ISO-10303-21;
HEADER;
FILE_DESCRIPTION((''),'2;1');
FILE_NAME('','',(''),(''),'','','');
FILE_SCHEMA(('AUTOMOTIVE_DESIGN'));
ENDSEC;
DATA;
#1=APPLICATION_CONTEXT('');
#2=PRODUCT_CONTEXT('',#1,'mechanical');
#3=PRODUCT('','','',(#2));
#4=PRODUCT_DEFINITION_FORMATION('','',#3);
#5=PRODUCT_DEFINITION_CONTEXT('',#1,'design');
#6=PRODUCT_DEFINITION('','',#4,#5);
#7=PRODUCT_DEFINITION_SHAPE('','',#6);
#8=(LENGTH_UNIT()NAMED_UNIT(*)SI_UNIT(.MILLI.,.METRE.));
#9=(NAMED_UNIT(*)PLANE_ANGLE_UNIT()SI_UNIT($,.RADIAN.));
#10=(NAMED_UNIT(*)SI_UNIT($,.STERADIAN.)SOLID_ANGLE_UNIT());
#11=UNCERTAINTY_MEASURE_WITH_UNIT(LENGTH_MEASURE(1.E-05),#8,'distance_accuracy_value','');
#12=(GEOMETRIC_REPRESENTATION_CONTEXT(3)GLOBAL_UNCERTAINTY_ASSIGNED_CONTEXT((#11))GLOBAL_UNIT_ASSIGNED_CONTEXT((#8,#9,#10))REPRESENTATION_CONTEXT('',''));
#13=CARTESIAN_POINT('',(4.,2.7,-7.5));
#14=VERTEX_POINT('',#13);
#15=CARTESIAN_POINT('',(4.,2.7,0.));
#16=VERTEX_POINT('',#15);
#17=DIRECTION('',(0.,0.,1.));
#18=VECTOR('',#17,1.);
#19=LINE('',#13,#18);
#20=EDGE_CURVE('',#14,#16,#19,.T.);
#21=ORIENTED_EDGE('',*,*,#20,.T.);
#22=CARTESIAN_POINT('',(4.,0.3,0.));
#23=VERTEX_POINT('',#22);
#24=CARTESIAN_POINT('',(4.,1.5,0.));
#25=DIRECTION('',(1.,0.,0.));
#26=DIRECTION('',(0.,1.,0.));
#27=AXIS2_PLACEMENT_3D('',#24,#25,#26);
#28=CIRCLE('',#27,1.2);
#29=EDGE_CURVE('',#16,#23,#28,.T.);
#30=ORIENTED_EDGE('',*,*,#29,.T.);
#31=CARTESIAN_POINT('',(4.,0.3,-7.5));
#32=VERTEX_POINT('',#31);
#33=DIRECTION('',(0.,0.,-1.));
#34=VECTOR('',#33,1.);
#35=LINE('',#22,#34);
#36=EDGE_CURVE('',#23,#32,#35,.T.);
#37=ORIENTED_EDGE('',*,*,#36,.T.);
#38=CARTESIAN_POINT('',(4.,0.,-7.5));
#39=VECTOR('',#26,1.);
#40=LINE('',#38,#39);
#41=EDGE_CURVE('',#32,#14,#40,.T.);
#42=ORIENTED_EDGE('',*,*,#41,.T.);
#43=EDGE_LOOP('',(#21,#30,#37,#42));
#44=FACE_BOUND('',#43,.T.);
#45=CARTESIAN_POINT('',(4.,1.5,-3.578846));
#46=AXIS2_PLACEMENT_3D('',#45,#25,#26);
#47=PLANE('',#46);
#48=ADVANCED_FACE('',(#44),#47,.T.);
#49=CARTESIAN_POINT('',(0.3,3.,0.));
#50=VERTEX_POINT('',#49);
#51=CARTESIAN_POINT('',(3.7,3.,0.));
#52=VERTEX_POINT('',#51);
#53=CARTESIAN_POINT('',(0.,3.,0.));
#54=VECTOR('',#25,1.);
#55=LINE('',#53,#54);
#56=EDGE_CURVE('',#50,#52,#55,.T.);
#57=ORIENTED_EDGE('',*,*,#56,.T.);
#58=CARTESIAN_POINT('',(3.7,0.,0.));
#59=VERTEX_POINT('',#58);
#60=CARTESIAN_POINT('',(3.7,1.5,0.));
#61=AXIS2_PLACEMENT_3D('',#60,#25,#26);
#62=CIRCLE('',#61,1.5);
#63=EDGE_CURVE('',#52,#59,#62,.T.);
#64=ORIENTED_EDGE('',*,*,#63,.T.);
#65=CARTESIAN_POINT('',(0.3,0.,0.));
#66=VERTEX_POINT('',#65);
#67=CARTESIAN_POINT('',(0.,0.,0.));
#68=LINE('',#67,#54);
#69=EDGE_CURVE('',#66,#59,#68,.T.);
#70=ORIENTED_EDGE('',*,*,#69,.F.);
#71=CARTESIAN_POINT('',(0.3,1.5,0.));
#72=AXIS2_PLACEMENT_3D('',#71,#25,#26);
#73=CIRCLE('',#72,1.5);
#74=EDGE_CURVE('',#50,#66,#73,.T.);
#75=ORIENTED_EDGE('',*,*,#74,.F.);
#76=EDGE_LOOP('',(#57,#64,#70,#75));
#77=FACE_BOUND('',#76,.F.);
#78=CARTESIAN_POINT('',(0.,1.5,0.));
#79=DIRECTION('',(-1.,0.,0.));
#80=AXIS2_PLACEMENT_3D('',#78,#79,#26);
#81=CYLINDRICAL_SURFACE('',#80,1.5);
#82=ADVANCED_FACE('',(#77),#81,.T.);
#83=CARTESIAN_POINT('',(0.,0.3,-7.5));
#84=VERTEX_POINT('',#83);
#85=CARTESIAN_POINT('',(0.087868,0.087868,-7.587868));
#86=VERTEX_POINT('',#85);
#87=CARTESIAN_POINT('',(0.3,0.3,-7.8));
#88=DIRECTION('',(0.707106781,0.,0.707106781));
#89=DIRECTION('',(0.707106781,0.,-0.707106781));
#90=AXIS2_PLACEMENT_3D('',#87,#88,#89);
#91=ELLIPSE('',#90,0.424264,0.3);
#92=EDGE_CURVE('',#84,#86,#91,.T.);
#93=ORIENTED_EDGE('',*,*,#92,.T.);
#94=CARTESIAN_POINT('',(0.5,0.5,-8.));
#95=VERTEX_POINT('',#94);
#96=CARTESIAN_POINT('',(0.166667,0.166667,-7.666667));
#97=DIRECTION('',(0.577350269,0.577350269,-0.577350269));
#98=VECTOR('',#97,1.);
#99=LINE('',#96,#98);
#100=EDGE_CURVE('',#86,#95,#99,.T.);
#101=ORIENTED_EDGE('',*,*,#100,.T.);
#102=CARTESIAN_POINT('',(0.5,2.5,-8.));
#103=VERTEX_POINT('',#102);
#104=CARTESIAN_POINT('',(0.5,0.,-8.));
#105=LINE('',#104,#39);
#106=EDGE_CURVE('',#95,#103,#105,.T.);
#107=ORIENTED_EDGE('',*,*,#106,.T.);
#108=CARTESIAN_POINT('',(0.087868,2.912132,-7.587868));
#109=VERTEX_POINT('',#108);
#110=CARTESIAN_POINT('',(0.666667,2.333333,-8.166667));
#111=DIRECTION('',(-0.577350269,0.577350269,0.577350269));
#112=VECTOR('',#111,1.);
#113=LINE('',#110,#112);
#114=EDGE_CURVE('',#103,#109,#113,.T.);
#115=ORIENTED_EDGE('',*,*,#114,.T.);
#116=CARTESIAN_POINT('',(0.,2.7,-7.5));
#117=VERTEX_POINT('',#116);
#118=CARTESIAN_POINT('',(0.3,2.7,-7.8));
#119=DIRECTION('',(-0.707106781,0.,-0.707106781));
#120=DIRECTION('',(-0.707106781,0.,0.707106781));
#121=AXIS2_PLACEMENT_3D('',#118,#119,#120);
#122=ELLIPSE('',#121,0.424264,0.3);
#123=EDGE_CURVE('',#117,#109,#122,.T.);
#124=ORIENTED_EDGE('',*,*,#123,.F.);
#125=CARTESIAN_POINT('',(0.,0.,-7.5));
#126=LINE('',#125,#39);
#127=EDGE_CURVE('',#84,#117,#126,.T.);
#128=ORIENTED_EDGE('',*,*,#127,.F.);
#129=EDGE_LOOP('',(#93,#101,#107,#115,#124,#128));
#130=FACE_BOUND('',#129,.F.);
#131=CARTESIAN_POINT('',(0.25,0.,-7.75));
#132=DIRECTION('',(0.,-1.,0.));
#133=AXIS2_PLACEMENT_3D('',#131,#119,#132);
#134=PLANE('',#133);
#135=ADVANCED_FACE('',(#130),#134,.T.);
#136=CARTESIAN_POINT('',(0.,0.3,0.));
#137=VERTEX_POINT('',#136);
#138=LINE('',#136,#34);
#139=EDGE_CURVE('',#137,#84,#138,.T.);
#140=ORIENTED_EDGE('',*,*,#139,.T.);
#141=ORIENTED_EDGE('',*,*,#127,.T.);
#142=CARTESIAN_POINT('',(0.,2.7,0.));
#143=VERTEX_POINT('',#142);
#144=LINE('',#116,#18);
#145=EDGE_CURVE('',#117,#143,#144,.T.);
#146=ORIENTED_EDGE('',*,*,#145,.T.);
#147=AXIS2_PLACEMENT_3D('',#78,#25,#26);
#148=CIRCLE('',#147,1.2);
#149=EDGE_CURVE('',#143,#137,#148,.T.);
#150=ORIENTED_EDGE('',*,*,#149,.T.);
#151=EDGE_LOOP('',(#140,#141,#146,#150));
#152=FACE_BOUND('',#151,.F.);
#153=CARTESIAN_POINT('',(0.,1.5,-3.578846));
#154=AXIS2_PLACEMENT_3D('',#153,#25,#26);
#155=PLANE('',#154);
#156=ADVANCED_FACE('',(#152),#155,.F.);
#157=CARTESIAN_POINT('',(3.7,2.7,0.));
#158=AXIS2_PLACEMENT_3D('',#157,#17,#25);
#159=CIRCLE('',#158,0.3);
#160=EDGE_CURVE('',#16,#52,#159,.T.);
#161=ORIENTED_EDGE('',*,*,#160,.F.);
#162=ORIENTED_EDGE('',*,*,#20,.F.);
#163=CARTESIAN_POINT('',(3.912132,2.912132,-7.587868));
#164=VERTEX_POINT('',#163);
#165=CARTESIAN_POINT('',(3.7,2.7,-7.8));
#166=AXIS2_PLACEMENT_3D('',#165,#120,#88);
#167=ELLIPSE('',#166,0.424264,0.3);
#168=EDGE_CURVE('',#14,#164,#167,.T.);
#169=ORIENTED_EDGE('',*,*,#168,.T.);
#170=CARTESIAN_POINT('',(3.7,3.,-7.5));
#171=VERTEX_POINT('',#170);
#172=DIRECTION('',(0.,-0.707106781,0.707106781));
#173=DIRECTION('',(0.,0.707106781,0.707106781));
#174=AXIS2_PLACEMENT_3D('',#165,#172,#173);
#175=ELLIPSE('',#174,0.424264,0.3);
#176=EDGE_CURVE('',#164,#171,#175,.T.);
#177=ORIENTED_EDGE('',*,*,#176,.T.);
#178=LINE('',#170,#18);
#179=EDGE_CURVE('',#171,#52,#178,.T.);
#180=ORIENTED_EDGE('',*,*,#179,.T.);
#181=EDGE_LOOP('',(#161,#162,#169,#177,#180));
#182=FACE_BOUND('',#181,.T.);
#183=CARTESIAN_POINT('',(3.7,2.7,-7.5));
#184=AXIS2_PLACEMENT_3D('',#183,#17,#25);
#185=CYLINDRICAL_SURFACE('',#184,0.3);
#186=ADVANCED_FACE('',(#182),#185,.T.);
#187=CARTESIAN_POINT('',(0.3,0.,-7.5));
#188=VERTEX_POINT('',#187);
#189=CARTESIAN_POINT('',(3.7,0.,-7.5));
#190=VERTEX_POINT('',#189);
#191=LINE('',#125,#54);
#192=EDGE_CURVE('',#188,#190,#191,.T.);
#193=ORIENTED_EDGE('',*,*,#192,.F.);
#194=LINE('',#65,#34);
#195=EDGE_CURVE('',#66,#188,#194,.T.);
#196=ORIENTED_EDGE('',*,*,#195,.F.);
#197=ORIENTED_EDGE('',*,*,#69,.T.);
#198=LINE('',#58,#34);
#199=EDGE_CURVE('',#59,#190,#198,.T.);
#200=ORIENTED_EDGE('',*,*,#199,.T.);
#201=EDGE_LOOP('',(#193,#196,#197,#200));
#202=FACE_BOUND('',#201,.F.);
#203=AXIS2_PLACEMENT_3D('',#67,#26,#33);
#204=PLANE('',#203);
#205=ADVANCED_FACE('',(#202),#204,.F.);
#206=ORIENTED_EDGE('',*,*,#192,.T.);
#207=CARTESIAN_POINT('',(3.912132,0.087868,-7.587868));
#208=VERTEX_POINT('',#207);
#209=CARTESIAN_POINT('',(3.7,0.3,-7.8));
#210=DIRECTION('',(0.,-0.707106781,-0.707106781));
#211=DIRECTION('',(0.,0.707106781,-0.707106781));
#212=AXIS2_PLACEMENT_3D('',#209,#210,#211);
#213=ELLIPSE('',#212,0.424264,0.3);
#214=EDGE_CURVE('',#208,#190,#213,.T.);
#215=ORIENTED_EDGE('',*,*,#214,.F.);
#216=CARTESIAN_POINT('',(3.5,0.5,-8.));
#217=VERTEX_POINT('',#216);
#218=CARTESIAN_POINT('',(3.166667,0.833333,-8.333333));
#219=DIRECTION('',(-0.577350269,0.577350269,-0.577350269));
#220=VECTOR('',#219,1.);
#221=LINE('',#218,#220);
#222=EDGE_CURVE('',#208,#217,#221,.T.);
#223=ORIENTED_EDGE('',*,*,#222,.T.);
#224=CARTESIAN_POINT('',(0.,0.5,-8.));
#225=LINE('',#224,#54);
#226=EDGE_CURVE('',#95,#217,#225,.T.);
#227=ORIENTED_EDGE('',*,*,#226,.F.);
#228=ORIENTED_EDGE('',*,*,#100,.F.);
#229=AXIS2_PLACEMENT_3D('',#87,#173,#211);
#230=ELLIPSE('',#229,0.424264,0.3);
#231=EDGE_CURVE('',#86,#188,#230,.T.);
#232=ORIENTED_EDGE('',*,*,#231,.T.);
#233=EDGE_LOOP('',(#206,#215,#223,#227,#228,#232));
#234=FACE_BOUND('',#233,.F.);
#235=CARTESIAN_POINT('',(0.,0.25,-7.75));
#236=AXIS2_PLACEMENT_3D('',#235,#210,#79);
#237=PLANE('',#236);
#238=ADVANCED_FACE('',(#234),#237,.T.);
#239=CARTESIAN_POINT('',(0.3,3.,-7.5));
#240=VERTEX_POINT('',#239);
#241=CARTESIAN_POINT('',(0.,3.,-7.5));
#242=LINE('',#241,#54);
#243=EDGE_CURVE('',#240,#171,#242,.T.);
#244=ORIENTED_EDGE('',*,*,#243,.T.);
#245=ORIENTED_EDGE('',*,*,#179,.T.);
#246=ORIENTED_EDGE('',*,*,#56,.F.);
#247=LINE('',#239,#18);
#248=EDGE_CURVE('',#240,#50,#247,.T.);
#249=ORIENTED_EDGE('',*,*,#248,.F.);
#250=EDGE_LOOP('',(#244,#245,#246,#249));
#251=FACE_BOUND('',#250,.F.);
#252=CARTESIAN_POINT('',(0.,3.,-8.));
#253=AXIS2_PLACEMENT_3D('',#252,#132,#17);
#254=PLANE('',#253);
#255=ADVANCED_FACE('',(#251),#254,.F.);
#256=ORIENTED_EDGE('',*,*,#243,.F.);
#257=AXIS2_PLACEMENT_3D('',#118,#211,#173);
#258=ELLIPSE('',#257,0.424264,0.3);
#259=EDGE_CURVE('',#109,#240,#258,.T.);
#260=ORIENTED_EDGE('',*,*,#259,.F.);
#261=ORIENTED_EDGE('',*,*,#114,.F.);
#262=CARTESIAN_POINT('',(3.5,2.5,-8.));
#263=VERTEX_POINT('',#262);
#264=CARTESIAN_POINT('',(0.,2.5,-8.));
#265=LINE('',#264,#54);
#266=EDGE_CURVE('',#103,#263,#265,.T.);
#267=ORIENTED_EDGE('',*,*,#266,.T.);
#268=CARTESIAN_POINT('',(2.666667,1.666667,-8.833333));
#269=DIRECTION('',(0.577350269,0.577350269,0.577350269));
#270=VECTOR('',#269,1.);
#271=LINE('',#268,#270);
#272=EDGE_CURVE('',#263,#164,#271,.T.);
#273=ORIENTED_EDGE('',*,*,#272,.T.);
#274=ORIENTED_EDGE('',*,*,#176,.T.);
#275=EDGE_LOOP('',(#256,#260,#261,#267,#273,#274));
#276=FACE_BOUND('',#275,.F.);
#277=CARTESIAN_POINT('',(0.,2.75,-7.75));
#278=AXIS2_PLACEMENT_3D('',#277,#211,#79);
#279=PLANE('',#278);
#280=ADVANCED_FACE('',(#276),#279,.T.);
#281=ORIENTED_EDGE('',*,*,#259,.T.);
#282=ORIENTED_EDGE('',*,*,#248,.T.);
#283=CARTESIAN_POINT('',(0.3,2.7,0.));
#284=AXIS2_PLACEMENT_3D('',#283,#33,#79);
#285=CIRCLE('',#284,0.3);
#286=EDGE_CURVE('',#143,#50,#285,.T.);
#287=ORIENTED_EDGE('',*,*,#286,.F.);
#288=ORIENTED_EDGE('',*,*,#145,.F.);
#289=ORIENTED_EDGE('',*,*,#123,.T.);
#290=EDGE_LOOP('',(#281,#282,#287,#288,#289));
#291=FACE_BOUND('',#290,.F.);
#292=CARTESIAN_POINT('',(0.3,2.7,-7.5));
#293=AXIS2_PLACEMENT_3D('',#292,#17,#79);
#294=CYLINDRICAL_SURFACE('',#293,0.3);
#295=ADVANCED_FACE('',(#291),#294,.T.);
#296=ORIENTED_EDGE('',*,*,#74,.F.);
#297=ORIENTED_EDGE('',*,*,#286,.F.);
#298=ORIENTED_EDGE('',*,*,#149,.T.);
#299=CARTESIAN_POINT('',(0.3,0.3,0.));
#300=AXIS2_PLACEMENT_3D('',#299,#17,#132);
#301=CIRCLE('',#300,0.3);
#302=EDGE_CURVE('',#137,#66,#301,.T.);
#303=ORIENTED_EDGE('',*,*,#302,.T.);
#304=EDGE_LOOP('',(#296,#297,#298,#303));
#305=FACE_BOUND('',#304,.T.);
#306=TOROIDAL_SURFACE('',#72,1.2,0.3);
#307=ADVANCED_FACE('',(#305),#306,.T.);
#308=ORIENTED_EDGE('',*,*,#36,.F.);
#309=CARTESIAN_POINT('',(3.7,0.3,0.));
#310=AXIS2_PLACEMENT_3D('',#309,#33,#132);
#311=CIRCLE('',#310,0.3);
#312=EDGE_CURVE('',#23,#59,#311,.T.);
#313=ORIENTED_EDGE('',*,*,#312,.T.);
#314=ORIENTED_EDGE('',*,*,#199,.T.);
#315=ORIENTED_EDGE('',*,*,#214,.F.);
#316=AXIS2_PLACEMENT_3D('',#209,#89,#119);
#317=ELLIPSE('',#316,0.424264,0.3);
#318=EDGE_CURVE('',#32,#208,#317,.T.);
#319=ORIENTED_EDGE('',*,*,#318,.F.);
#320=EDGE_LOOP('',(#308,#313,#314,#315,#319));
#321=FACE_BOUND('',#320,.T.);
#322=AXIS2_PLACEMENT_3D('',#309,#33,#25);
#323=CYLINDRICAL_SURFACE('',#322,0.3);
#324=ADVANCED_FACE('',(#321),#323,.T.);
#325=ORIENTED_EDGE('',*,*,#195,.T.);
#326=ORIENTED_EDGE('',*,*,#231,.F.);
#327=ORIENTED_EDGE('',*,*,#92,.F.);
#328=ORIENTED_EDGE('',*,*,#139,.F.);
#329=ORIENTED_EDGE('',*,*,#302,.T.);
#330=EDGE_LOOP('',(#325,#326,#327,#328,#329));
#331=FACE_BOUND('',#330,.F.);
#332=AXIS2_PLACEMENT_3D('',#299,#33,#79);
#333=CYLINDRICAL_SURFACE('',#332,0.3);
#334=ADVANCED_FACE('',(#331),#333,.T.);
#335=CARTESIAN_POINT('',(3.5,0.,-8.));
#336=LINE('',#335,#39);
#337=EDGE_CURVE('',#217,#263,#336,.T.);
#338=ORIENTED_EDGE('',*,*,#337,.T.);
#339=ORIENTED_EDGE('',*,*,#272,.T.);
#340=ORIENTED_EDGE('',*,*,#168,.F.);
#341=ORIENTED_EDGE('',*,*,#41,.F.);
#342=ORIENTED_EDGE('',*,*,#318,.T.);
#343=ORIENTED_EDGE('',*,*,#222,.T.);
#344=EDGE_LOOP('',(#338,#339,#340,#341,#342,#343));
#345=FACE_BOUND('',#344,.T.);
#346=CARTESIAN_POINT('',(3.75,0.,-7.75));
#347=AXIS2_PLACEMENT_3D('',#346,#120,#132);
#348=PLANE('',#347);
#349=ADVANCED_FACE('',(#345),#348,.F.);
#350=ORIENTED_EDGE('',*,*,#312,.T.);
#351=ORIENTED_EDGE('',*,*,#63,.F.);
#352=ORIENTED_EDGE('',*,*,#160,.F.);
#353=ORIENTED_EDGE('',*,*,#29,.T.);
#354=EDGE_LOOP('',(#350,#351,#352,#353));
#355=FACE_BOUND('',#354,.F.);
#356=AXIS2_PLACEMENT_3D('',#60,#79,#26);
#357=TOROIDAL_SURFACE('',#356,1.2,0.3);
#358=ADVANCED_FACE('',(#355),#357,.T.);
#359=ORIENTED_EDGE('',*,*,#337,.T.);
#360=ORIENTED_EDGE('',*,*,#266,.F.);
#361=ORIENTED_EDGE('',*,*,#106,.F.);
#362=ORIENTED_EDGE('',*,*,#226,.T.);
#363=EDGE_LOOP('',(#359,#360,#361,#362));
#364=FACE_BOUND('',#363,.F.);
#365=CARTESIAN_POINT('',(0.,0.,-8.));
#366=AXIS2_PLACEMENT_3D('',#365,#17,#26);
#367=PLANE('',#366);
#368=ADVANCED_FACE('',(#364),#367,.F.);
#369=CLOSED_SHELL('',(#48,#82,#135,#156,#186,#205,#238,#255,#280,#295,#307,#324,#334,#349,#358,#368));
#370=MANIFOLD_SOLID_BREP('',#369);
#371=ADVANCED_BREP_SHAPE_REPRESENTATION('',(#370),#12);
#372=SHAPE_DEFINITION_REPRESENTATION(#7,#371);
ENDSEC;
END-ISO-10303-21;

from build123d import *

# Parameters (mm, degrees)
F1_DEPTH = 4
F2_SIZE  = 0.5
F3_R     = 0.3


with BuildPart() as f1:
    # F0 (on Right) → F1 (new body)
    with BuildSketch(Plane.YZ):
        with BuildLine():
            Line((0, 0), (0, -8))
            Line((0, -8), (3, -8))
            Line((3, -8), (3, 0))
            ThreePointArc((3, 0), (1.5, 1.5), (0, 0))
        make_face()
    extrude(amount=F1_DEPTH)

    # F2
    f2_edges = [f1.edges().sort_by_distance(p)[0] for p in [
        (2, 0, -8),
        (2, 3, -8),
        (0, 1.5, -8),
        (4, 1.5, -8),
    ]]
    chamfer(f2_edges, length=F2_SIZE)

    # F3
    f3_edges = [f1.edges().sort_by_distance(p)[0] for p in [
        (0, 3, -3.75),
        (0, 1.5, 1.5),
        (0, 0, -3.75),
        (4, 3, -3.75),
        (4, 1.5, 1.5),
    ]]
    fillet(f3_edges, radius=F3_R)


solid = f1.part
